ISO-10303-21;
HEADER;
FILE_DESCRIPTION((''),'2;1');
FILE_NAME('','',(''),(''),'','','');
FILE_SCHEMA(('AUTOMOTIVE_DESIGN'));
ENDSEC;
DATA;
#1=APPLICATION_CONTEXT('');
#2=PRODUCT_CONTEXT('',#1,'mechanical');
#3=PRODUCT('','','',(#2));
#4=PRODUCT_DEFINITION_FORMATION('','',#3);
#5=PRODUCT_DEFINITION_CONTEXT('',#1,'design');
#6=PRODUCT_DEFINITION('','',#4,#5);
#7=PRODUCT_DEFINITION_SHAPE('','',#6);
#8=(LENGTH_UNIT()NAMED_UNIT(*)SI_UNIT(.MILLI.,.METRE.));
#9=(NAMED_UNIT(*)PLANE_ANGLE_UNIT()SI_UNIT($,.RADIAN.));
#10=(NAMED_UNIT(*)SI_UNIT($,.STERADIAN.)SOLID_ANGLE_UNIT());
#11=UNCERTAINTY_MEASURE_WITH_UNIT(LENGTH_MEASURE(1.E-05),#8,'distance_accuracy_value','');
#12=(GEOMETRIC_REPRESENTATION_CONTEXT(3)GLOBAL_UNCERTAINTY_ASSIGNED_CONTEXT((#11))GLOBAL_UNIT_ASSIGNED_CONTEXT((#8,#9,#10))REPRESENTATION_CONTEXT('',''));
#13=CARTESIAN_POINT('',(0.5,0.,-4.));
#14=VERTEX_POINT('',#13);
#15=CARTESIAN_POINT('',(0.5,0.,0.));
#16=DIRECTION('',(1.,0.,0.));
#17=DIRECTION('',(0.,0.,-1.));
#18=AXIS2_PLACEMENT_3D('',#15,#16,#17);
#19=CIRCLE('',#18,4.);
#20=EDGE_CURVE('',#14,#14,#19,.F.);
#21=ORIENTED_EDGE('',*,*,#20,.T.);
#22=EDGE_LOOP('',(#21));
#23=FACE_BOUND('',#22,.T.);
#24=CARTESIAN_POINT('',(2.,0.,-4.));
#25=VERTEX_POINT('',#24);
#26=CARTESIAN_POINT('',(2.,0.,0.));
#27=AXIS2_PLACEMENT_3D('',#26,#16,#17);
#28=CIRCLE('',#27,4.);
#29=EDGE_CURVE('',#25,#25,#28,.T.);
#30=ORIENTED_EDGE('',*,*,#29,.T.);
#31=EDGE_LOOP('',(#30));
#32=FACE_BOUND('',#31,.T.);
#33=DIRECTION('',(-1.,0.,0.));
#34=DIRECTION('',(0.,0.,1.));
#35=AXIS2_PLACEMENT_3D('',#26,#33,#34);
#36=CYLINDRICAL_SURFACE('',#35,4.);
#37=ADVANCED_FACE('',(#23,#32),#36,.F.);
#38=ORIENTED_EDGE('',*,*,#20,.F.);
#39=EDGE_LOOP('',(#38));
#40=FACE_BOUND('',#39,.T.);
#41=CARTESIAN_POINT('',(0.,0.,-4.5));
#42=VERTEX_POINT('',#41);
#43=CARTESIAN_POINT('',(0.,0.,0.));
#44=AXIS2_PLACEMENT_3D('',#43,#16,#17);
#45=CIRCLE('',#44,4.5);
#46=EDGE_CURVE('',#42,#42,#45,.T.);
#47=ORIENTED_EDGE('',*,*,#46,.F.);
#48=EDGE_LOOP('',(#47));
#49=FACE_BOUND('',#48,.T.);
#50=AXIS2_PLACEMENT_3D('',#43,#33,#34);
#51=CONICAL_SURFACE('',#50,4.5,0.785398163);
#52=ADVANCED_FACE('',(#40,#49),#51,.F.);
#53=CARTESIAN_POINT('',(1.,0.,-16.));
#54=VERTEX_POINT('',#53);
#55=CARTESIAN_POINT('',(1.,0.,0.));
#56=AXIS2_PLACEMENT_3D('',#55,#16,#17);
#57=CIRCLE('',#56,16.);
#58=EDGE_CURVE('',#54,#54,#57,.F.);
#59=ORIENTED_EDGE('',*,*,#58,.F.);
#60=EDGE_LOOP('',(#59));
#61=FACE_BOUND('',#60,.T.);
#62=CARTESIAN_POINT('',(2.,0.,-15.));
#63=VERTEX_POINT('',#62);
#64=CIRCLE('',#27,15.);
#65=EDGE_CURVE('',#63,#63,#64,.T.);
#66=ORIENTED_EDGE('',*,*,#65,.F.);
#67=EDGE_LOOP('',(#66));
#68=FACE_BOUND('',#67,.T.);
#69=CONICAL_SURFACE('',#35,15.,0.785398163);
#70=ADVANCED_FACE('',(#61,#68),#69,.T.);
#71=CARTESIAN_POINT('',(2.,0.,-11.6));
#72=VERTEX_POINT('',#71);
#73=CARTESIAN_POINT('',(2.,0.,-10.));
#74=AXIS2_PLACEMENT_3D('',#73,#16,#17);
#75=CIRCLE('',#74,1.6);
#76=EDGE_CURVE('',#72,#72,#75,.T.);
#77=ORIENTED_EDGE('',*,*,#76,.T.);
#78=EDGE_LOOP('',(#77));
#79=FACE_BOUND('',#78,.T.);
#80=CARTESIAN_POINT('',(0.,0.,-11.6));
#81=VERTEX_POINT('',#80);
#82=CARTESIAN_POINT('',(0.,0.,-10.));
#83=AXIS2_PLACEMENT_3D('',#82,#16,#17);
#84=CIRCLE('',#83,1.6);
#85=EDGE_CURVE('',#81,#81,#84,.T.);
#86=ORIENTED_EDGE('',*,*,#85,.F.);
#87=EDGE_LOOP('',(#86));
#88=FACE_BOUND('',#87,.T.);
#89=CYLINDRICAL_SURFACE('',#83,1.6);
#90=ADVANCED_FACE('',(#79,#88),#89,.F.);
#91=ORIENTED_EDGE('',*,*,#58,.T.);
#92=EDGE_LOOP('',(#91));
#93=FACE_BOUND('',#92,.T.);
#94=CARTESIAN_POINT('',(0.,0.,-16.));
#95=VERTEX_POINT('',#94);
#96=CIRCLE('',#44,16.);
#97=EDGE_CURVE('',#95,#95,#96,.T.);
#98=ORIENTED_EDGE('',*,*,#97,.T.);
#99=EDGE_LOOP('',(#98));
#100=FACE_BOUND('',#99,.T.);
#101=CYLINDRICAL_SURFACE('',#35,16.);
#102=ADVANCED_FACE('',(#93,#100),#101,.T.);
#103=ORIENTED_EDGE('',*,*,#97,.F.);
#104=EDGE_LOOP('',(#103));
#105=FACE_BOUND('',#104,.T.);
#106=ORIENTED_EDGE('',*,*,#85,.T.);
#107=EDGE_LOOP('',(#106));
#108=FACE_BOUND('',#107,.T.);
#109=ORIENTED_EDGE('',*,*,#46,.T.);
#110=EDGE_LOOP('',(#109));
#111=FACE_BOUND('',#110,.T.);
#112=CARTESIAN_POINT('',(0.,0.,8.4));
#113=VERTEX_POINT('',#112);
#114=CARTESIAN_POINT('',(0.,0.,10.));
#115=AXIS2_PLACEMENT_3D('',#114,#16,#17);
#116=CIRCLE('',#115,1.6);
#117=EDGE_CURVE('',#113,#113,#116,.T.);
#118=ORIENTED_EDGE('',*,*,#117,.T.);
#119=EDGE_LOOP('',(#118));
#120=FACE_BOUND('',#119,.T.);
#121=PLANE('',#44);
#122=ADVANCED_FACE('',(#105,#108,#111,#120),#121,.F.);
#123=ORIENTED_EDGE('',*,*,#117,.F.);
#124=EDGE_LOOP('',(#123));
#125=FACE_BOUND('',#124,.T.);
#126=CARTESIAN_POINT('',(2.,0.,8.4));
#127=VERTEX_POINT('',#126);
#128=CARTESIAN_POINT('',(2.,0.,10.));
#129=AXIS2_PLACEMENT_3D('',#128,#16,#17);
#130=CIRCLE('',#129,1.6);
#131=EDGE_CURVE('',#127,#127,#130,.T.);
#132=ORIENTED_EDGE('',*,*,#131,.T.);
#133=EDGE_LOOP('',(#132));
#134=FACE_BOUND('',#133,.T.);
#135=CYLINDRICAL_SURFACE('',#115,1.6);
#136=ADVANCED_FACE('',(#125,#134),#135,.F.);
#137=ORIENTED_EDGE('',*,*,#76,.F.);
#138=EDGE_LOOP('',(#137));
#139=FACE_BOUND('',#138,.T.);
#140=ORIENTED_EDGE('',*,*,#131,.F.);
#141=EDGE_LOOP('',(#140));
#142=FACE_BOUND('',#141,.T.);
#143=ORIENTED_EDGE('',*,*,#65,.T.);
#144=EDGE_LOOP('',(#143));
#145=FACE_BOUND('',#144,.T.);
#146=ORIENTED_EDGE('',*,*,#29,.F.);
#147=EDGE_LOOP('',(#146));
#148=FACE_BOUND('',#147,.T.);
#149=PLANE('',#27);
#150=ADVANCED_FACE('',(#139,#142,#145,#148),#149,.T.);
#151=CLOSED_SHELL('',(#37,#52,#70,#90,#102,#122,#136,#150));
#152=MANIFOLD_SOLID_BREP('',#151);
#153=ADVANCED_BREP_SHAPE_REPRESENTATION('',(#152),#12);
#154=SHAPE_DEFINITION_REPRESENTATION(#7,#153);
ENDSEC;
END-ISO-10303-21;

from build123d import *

# Parameters (mm, degrees)
SKETCH1_R           = 16
SKETCH1_R_2         = 4
BOSS_EXTRUDE1_DEPTH = 2
SKETCH2_R           = 1.6
CUT_EXTRUDE1_DEPTH  = 3
CHAMFER1_SIZE       = 1
CHAMFER2_SIZE       = 0.5


with BuildPart() as part:
    # Sketch1 → Boss-Extrude1 (new body)
    with BuildSketch(Plane(origin=(0, 0, 0), x_dir=(0, 0, -1), z_dir=(1, 0, 0))):
        Circle(SKETCH1_R)
        Circle(SKETCH1_R_2, mode=Mode.SUBTRACT)
    extrude(amount=BOSS_EXTRUDE1_DEPTH)

    # Sketch2 → Cut-Extrude1 (cut, through all)
    with BuildSketch(Plane(origin=(2, 0, 0), x_dir=(0, 0, -1), z_dir=(1, 0, 0))):
        with Locations((-10, 0)):
            Circle(SKETCH2_R)
        with Locations((10, 0)):
            Circle(SKETCH2_R)
    extrude(amount=-CUT_EXTRUDE1_DEPTH, mode=Mode.SUBTRACT)

    # Chamfer1
    chamfer1_edges = [part.edges().sort_by_distance(p)[0] for p in [
        (2, 0, 16),
    ]]
    chamfer(chamfer1_edges, length=CHAMFER1_SIZE)

    # Chamfer2
    chamfer2_edges = [part.edges().sort_by_distance(p)[0] for p in [
        (0, 0, 4),
    ]]
    chamfer(chamfer2_edges, length=CHAMFER2_SIZE)


solid = part.part
